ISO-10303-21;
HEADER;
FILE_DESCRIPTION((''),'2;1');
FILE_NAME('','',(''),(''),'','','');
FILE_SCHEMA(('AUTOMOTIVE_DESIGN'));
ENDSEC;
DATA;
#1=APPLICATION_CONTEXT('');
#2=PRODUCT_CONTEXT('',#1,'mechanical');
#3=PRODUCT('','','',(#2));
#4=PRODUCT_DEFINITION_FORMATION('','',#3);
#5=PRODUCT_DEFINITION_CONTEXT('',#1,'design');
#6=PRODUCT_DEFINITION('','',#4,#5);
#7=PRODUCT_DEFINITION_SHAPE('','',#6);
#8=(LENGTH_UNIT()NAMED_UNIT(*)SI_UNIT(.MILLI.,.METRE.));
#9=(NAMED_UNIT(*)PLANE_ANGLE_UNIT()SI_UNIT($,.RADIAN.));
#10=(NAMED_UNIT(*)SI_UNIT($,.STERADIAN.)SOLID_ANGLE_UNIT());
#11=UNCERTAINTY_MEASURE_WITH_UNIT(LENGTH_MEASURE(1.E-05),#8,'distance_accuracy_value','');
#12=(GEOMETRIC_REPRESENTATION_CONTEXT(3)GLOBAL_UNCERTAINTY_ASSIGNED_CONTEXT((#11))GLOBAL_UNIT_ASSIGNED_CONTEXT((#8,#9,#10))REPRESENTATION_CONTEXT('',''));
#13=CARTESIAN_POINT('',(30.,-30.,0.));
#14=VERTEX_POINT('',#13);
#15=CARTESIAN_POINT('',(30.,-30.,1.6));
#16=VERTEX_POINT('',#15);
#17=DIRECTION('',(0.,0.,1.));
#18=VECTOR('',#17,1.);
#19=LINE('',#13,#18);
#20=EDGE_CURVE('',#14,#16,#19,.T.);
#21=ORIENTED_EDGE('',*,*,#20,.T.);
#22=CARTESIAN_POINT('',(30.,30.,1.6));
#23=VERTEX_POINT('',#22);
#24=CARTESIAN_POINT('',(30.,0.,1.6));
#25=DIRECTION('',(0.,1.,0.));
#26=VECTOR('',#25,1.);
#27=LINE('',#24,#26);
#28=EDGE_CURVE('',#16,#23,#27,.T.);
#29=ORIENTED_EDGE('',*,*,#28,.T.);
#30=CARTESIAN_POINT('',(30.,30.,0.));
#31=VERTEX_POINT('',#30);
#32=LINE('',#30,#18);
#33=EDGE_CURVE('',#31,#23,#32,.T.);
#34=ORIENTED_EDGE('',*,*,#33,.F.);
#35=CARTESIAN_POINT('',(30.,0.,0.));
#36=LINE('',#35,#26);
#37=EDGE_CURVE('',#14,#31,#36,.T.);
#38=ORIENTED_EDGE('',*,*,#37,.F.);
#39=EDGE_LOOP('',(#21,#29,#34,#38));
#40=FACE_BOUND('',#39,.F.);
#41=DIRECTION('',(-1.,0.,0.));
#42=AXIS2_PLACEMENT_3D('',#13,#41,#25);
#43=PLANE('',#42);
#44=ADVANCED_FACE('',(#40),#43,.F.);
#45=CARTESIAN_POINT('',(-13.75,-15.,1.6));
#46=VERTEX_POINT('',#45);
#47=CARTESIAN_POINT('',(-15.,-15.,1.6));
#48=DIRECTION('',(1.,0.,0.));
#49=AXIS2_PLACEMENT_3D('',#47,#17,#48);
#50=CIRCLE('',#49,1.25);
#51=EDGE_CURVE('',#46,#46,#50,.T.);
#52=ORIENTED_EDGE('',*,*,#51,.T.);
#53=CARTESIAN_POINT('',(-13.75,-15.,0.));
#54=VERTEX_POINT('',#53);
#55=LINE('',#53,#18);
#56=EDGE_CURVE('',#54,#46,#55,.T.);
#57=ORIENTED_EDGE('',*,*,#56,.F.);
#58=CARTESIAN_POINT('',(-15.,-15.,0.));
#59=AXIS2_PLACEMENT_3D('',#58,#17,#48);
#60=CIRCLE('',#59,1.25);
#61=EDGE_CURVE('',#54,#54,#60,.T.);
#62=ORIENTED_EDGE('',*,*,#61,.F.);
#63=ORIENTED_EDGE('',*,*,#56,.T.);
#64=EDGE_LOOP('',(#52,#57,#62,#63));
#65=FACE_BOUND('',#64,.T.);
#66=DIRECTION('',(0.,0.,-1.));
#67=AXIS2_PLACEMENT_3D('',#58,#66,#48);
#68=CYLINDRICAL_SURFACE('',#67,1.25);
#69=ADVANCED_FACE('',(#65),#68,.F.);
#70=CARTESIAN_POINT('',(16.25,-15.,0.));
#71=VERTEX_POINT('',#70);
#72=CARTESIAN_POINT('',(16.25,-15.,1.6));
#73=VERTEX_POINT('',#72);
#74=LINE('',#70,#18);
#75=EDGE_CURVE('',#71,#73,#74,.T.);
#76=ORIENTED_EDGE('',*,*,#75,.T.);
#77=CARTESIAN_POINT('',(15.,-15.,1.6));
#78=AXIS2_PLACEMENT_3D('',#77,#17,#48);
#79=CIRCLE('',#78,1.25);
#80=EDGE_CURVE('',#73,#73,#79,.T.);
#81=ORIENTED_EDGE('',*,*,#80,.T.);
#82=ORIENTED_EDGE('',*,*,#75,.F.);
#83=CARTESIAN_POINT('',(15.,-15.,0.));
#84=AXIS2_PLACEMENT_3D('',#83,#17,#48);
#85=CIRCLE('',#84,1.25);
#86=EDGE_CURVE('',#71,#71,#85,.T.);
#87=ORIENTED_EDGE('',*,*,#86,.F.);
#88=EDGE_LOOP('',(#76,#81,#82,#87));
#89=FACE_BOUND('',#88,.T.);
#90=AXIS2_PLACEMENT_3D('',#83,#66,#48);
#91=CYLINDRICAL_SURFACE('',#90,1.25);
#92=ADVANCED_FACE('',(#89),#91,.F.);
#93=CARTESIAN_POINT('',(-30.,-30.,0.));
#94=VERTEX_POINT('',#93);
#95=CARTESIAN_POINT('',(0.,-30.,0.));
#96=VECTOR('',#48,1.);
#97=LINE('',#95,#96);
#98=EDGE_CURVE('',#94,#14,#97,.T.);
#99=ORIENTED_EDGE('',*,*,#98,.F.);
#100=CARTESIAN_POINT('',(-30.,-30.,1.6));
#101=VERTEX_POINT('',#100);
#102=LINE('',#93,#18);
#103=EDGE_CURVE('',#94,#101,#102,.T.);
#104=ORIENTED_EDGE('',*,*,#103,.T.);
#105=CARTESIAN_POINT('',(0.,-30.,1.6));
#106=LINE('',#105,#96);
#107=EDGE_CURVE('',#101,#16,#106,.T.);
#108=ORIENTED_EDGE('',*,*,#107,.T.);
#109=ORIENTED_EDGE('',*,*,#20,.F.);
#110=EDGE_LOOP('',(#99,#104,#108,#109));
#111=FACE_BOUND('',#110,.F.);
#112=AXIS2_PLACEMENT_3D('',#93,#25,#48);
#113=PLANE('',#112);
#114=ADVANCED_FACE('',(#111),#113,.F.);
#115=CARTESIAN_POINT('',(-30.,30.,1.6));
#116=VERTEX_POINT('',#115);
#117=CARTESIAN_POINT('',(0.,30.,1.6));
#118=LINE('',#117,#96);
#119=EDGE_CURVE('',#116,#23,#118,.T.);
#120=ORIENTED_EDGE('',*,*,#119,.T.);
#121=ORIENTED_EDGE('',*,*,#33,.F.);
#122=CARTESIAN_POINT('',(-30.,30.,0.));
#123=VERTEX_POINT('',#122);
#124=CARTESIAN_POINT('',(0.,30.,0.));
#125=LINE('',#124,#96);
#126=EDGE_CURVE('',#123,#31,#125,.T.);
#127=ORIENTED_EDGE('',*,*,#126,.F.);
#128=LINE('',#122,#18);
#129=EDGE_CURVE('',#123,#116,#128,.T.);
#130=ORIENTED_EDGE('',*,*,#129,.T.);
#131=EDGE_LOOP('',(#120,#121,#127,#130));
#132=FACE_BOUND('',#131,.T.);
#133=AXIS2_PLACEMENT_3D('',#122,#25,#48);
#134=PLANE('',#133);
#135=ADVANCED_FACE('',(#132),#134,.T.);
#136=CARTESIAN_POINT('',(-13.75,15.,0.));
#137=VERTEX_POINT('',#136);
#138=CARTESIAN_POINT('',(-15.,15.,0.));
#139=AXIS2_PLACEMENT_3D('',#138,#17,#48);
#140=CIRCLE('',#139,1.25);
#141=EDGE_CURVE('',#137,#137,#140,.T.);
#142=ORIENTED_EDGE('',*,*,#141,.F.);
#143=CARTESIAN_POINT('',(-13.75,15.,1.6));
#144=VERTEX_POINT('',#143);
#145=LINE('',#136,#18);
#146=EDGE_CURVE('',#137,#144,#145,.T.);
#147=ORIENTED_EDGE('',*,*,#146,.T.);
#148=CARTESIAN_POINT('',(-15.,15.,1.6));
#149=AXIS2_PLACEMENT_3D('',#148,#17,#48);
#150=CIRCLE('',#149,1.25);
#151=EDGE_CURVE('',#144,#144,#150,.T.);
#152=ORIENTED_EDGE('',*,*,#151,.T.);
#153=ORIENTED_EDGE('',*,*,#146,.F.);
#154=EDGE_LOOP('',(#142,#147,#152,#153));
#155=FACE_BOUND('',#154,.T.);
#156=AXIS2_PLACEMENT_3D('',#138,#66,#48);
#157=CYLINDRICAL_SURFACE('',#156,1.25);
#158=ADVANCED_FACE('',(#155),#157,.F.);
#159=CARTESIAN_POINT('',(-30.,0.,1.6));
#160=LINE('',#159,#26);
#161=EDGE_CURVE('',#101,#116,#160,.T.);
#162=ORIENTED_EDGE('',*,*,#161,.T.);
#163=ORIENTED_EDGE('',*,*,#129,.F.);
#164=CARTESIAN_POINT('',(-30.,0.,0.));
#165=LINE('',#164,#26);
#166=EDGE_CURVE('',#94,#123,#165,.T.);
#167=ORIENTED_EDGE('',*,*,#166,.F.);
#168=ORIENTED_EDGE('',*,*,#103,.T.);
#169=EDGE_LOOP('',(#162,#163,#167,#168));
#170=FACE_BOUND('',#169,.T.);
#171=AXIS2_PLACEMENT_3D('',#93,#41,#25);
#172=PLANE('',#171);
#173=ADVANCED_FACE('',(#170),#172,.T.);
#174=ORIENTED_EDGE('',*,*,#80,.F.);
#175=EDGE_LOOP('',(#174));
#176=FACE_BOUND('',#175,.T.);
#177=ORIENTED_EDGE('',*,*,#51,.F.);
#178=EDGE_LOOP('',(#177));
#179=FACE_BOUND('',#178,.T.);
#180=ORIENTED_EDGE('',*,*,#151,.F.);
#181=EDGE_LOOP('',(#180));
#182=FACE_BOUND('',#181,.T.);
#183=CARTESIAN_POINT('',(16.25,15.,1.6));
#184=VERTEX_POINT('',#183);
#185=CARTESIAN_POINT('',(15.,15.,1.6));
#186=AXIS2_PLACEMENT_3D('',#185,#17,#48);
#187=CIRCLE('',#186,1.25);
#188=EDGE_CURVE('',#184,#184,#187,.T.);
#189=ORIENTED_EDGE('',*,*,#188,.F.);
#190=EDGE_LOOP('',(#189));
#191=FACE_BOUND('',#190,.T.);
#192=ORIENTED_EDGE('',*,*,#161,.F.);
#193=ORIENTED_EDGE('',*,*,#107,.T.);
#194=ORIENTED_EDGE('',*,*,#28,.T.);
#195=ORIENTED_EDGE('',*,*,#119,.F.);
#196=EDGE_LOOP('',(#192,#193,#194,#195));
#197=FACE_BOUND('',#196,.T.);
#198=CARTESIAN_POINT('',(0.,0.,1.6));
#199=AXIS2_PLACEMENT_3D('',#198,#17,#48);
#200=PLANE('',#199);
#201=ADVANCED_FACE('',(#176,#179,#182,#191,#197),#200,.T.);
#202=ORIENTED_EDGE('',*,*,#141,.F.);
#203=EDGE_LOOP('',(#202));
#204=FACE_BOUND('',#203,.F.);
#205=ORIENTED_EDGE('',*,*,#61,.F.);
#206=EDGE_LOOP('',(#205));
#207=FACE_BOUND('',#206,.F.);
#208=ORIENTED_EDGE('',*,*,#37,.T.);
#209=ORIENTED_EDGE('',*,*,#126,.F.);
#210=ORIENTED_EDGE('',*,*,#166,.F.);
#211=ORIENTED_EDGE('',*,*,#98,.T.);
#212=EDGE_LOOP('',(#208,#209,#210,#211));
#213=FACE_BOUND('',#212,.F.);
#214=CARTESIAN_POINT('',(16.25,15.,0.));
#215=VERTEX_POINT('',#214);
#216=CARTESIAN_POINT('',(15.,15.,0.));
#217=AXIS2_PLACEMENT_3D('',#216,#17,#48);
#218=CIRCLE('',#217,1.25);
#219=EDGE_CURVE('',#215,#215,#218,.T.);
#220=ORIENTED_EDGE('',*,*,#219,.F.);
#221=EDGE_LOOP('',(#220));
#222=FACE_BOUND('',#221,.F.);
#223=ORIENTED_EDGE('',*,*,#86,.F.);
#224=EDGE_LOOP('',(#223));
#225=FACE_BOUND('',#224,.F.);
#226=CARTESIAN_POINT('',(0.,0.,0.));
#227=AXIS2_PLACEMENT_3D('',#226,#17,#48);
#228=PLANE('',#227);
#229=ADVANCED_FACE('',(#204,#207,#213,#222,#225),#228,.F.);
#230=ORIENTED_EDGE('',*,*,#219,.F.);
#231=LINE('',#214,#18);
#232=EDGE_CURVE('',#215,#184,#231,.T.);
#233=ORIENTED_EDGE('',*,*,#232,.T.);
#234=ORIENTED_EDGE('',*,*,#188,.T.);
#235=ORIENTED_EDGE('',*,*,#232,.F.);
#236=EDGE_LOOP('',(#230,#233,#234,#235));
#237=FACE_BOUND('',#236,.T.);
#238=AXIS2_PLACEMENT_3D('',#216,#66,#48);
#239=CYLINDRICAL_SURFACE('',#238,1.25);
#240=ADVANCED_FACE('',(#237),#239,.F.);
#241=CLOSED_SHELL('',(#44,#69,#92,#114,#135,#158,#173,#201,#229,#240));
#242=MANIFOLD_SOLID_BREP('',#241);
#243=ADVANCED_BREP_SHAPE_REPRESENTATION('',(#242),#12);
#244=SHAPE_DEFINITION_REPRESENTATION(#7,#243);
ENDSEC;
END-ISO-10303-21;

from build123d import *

# Parameters (mm, degrees)
SKETCH_W  = 60
SKETCH_H  = 60
SKETCH_R  = 1.25
PAD_DEPTH = 1.6


with BuildPart() as part:
    # Sketch → Pad (new body)
    with BuildSketch(Plane.XY):
        Rectangle(SKETCH_W, SKETCH_H)
        with Locations((-15, -15)):
            Circle(SKETCH_R, mode=Mode.SUBTRACT)
        with Locations((-15, 15)):
            Circle(SKETCH_R, mode=Mode.SUBTRACT)
        with Locations((15, 15)):
            Circle(SKETCH_R, mode=Mode.SUBTRACT)
        with Locations((15, -15)):
            Circle(SKETCH_R, mode=Mode.SUBTRACT)
    extrude(amount=PAD_DEPTH)


solid = part.part
